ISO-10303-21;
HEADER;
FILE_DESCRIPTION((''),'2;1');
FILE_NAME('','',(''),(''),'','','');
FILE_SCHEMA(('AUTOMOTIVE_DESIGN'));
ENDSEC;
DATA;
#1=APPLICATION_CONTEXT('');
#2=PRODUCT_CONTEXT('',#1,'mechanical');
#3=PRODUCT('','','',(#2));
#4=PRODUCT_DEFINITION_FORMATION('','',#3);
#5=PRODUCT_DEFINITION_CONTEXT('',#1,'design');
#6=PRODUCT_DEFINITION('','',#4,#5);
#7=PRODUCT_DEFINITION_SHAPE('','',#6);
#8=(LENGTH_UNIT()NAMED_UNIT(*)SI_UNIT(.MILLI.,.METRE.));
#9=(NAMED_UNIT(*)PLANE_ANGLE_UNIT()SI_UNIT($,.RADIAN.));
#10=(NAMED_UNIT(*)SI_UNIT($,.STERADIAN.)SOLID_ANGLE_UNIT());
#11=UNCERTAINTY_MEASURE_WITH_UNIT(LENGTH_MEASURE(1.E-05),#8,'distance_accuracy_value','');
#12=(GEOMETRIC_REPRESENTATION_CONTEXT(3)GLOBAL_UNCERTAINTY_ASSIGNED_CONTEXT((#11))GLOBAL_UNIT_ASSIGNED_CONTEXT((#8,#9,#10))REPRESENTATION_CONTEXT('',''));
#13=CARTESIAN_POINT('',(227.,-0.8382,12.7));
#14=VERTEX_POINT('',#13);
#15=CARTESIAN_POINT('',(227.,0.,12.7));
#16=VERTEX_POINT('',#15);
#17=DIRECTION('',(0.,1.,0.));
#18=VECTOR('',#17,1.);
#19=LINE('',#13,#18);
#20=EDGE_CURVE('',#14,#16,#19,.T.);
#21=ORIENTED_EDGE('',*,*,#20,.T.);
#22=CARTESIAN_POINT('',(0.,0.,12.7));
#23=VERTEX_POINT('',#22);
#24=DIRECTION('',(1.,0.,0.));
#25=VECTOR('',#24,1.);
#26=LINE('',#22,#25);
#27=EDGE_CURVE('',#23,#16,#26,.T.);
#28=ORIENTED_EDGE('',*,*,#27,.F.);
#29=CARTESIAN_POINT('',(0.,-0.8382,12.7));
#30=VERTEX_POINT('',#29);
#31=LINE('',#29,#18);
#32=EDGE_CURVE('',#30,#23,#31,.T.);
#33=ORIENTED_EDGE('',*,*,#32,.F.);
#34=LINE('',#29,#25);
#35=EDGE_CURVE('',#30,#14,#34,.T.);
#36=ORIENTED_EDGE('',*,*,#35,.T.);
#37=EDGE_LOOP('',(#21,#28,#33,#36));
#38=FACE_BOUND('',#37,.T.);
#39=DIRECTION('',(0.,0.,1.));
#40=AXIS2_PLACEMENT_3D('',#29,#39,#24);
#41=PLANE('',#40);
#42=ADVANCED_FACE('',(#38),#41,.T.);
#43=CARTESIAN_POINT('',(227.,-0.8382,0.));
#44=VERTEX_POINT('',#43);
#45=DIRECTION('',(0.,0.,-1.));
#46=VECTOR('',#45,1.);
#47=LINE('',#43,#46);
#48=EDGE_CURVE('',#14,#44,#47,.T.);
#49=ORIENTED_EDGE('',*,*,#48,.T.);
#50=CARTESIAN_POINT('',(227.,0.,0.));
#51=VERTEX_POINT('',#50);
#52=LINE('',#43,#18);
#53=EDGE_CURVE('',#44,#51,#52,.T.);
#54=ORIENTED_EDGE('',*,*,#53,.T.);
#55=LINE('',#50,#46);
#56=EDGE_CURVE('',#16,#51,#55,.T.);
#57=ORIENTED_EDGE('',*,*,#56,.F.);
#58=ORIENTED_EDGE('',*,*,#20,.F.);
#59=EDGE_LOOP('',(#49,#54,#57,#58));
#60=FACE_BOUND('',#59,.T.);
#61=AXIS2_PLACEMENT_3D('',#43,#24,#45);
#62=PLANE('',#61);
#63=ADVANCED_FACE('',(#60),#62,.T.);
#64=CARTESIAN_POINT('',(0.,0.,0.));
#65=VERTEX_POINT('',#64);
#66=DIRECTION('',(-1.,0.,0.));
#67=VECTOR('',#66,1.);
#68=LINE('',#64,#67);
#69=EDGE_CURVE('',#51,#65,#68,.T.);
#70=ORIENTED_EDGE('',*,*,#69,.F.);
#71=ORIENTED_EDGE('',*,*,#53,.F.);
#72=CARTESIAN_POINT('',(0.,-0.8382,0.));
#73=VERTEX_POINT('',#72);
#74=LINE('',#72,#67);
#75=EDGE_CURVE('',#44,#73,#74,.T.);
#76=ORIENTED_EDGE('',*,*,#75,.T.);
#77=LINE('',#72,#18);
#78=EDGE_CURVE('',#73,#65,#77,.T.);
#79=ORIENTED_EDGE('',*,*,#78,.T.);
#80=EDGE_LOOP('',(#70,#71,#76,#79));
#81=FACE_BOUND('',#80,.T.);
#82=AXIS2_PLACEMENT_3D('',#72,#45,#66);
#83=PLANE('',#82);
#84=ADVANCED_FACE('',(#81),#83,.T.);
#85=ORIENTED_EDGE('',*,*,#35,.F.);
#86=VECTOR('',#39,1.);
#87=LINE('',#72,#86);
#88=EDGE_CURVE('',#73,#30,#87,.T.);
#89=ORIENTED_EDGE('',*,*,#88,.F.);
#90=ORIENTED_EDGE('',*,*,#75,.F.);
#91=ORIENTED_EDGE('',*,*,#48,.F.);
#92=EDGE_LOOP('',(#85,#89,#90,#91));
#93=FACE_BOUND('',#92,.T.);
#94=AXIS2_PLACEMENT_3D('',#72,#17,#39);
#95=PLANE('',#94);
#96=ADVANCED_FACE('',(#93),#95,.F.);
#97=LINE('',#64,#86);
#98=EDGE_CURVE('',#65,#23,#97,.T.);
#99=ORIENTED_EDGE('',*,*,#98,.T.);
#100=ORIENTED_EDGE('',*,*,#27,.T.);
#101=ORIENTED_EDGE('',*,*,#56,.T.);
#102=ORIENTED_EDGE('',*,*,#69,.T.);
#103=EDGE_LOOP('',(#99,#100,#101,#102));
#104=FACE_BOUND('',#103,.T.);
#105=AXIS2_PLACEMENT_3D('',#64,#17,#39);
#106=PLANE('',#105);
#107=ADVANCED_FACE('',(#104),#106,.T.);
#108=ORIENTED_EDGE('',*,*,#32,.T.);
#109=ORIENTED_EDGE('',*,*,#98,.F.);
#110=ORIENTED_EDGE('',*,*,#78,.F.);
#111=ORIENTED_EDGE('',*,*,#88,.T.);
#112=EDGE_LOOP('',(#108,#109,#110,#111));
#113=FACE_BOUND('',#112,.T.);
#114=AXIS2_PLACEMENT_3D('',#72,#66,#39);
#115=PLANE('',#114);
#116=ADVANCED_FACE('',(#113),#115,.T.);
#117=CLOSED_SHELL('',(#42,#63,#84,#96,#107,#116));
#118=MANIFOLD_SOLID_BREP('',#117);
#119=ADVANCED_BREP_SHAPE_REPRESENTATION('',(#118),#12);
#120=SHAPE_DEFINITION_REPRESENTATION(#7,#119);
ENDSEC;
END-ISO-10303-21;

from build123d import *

# Parameters (mm, degrees)
SKETCH1_W           = 227
SKETCH1_H           = 12.7
BOSS_EXTRUDE1_DEPTH = 0.8382


with BuildPart() as part:
    # Sketch1 → Boss-Extrude1 (new body)
    with BuildSketch(Plane(origin=(0, 0, 0), x_dir=(1, 0, 0), z_dir=(0, 1, 0))):
        with Locations((113.5, -6.35)):
            Rectangle(SKETCH1_W, SKETCH1_H)
    extrude(amount=-BOSS_EXTRUDE1_DEPTH)


solid = part.part
